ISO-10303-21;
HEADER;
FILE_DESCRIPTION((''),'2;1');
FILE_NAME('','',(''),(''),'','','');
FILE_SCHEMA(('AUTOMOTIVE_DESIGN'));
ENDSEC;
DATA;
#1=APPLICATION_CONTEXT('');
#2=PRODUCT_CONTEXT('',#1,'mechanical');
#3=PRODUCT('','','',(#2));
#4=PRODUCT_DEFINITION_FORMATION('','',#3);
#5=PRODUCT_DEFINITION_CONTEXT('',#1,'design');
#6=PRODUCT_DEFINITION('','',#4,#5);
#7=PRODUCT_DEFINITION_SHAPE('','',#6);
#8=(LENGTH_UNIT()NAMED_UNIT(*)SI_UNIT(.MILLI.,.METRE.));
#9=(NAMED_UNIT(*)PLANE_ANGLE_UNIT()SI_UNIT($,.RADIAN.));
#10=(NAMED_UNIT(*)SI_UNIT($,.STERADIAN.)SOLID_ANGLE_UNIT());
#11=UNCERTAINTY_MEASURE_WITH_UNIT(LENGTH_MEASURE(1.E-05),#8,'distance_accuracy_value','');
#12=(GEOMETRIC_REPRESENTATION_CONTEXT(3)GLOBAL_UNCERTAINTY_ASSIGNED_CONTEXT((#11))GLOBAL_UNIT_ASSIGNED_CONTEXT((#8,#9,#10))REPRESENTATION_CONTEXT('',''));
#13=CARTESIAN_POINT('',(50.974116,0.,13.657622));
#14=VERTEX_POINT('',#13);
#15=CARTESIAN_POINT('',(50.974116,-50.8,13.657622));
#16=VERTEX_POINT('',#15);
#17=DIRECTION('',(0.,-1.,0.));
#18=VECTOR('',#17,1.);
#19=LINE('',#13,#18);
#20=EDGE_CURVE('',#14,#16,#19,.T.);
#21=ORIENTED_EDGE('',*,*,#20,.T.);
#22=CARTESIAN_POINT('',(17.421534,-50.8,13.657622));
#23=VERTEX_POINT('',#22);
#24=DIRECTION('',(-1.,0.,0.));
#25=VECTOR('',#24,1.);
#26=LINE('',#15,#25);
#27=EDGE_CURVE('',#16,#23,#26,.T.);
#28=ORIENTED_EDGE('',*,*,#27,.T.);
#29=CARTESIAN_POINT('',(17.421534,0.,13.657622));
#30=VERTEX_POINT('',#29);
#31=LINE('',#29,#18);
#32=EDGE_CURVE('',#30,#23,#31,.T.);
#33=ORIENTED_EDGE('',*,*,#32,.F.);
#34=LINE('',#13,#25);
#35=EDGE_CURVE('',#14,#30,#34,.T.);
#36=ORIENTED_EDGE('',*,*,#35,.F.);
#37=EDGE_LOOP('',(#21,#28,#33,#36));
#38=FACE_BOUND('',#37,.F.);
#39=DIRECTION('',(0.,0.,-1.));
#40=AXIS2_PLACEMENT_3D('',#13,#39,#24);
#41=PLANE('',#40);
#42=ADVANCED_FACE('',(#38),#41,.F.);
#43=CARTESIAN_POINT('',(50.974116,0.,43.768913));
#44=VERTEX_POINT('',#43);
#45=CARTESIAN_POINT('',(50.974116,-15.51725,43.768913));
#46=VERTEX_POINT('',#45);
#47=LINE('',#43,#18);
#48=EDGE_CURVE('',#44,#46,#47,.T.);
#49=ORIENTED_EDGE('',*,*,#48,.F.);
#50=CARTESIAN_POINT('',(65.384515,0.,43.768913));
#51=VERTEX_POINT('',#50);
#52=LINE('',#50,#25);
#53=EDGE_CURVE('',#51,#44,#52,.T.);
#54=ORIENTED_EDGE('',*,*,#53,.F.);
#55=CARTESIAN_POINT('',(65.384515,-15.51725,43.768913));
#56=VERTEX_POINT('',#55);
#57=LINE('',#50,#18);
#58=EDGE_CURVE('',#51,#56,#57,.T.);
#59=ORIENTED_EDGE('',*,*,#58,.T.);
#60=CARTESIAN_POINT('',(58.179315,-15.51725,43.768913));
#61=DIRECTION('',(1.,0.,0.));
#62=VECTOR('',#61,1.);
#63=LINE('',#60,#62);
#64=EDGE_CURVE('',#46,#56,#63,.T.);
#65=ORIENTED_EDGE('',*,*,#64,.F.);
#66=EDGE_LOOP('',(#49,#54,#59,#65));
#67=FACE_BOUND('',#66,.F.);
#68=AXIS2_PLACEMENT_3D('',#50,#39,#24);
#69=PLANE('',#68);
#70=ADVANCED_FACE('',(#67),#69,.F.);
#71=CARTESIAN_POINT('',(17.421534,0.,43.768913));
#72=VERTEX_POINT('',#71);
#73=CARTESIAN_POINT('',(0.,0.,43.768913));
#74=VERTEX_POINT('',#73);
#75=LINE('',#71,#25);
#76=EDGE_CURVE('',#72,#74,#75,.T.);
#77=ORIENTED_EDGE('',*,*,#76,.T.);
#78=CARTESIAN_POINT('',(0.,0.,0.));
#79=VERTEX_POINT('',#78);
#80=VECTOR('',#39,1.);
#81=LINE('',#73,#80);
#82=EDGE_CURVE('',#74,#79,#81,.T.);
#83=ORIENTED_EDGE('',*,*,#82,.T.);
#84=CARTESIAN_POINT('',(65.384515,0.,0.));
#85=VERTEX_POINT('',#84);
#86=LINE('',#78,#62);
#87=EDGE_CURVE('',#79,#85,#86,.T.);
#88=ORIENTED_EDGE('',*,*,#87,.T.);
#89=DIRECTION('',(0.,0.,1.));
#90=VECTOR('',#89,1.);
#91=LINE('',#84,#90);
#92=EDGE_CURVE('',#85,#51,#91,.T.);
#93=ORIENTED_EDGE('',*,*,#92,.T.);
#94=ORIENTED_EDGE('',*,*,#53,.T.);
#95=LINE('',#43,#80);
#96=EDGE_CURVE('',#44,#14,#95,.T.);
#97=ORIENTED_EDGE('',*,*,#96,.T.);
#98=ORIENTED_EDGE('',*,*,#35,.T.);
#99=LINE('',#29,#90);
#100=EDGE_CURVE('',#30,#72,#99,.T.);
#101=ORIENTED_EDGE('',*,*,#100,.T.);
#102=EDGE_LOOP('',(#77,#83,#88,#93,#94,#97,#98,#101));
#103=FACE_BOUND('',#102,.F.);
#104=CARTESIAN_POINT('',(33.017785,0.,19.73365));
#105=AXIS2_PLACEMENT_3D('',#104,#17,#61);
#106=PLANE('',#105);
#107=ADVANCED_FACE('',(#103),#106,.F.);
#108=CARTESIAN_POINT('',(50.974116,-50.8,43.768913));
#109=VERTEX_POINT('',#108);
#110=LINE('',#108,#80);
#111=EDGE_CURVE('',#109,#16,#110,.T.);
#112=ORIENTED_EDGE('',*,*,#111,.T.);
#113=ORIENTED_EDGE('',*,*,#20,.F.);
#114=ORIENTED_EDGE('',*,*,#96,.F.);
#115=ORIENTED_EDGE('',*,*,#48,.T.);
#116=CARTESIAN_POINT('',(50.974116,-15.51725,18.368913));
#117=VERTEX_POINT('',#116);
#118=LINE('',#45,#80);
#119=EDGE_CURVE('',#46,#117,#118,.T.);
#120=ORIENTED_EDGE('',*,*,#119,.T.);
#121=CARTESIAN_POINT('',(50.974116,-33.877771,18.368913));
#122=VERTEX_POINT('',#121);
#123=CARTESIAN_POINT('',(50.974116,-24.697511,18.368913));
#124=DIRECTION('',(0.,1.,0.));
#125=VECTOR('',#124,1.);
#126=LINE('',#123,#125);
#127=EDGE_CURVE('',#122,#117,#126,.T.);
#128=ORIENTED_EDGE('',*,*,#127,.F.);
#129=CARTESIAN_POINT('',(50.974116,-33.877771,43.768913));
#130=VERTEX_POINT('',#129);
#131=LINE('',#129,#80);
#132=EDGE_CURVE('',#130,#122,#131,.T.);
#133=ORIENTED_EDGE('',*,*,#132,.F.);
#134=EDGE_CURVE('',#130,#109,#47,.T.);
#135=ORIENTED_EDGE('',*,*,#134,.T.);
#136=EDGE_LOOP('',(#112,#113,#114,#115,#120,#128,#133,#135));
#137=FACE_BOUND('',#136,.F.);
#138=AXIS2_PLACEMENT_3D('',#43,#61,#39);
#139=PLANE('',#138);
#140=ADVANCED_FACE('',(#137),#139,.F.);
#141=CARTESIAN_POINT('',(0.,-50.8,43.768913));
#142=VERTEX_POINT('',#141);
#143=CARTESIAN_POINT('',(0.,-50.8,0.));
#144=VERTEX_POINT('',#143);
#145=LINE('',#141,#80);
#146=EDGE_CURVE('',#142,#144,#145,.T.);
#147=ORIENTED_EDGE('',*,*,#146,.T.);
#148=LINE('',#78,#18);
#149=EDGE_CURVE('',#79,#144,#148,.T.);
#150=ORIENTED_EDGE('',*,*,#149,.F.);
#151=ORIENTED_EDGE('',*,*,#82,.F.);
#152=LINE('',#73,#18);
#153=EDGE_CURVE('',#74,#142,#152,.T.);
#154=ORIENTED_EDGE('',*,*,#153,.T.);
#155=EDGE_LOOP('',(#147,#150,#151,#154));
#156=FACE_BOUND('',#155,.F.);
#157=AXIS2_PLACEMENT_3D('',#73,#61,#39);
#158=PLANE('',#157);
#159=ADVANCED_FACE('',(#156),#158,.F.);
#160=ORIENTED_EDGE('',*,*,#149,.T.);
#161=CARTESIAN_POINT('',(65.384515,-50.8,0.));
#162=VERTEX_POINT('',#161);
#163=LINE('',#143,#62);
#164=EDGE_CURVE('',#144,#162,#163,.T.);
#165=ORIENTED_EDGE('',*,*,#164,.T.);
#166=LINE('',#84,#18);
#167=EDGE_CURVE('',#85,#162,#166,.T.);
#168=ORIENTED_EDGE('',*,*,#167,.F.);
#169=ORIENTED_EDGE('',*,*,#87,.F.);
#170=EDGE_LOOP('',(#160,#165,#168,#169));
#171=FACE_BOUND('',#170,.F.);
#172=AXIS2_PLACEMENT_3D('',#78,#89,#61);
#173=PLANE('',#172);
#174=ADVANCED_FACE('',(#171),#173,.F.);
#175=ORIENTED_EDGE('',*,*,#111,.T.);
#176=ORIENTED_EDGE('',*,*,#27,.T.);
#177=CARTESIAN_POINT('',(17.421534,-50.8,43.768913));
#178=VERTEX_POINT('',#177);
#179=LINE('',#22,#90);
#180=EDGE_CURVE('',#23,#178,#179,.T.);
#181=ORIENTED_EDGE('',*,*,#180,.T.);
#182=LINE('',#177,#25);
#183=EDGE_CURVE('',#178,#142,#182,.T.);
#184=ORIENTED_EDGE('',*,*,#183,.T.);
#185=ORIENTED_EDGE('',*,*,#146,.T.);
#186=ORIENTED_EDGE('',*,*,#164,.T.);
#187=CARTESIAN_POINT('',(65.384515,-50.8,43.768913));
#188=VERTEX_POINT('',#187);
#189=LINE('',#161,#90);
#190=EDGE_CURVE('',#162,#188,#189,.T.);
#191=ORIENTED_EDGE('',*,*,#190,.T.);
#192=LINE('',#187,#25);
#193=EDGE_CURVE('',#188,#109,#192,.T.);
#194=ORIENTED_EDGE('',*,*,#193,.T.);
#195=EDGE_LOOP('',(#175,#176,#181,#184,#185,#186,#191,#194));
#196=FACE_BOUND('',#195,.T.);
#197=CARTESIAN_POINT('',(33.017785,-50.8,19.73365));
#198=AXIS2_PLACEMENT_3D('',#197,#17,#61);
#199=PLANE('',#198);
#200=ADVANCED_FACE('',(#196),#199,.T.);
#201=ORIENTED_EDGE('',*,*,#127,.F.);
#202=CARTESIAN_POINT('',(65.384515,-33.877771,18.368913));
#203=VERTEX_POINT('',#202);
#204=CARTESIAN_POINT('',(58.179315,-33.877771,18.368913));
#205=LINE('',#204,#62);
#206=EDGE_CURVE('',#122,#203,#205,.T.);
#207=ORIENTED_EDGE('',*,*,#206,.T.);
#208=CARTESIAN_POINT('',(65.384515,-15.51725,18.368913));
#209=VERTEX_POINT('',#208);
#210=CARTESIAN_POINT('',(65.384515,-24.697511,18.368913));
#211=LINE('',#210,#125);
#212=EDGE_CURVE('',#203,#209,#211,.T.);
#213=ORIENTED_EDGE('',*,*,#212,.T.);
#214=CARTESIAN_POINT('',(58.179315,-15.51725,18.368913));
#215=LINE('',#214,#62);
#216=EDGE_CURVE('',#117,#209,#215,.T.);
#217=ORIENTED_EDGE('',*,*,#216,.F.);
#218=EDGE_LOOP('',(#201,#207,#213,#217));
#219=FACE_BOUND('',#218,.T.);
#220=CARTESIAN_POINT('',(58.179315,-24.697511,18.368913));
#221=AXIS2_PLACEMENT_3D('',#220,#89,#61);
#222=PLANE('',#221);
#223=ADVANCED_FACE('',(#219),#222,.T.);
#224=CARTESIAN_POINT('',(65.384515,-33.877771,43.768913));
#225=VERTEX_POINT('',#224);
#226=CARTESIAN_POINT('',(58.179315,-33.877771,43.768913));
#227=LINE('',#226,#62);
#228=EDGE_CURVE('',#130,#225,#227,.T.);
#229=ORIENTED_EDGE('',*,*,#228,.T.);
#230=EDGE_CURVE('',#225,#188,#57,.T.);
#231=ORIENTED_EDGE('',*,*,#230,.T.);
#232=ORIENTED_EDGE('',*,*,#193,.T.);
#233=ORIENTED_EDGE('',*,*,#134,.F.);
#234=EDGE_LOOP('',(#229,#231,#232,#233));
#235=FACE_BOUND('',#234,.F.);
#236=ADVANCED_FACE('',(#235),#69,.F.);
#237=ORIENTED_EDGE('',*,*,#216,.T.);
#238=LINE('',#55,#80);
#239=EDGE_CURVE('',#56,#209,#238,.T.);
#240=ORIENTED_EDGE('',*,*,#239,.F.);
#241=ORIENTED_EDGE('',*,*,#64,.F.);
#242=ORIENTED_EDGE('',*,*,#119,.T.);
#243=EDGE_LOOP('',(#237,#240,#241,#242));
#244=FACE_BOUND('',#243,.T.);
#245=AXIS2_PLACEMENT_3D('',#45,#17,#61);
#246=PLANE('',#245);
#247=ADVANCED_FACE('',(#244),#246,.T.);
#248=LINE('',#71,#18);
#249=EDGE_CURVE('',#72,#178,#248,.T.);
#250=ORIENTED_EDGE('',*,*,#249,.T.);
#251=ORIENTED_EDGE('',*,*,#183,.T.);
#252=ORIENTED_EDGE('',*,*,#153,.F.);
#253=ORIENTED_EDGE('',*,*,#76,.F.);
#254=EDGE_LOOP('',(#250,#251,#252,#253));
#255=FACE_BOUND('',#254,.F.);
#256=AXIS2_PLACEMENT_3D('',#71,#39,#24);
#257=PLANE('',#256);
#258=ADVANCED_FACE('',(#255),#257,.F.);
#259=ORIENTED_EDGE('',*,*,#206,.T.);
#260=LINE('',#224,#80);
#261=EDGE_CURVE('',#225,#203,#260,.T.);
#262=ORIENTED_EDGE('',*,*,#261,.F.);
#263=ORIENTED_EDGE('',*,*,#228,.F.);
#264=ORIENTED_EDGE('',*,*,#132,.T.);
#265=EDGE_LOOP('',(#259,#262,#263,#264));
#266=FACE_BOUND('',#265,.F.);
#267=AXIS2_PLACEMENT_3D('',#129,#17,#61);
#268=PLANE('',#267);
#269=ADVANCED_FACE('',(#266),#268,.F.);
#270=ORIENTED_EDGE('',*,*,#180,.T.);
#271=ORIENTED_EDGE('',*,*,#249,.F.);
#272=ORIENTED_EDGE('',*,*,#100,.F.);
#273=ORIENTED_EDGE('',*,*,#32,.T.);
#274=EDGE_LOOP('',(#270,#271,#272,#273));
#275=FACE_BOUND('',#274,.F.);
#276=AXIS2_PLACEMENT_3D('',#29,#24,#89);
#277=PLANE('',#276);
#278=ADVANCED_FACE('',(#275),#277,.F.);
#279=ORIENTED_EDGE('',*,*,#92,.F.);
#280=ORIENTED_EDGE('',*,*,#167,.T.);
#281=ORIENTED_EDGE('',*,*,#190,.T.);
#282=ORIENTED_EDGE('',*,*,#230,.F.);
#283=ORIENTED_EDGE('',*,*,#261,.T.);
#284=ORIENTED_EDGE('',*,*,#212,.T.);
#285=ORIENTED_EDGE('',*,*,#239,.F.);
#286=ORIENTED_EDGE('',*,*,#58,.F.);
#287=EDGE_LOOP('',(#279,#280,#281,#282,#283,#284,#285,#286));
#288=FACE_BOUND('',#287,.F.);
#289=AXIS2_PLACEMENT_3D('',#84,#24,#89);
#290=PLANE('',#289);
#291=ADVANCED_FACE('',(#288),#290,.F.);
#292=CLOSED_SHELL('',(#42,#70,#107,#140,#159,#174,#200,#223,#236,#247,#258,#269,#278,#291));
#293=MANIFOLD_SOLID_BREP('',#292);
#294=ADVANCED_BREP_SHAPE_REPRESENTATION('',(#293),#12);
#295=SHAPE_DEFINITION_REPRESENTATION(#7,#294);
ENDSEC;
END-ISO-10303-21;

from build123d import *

# Parameters (mm, degrees)
F1_DEPTH = 50.8
F2_W     = 14.4103989005
F2_H     = 18.3605216444
F3_DEPTH = 25.4


with BuildPart() as f1:
    # F0 (on Front) → F1 (new body)
    with BuildSketch(Plane.XZ):
        Polygon((0, 43.7689125538), (0, 0), (65.3845146298, 0), (65.3845146298, 43.7689125538), (50.9741157293, 43.7689125538), (50.9741157293, 13.6576220393), (17.4215342849, 13.6576220393), (17.4215342849, 43.7689125538), align=None)
    extrude(amount=F1_DEPTH)

    # F2 (on face) → F3 (cut)
    with BuildSketch(Plane.XY.offset(43.7689125538)):
        with Locations((58.1793151796, -24.6975105256)):
            Rectangle(F2_W, F2_H)
    extrude(amount=-F3_DEPTH, mode=Mode.SUBTRACT)


solid = f1.part
